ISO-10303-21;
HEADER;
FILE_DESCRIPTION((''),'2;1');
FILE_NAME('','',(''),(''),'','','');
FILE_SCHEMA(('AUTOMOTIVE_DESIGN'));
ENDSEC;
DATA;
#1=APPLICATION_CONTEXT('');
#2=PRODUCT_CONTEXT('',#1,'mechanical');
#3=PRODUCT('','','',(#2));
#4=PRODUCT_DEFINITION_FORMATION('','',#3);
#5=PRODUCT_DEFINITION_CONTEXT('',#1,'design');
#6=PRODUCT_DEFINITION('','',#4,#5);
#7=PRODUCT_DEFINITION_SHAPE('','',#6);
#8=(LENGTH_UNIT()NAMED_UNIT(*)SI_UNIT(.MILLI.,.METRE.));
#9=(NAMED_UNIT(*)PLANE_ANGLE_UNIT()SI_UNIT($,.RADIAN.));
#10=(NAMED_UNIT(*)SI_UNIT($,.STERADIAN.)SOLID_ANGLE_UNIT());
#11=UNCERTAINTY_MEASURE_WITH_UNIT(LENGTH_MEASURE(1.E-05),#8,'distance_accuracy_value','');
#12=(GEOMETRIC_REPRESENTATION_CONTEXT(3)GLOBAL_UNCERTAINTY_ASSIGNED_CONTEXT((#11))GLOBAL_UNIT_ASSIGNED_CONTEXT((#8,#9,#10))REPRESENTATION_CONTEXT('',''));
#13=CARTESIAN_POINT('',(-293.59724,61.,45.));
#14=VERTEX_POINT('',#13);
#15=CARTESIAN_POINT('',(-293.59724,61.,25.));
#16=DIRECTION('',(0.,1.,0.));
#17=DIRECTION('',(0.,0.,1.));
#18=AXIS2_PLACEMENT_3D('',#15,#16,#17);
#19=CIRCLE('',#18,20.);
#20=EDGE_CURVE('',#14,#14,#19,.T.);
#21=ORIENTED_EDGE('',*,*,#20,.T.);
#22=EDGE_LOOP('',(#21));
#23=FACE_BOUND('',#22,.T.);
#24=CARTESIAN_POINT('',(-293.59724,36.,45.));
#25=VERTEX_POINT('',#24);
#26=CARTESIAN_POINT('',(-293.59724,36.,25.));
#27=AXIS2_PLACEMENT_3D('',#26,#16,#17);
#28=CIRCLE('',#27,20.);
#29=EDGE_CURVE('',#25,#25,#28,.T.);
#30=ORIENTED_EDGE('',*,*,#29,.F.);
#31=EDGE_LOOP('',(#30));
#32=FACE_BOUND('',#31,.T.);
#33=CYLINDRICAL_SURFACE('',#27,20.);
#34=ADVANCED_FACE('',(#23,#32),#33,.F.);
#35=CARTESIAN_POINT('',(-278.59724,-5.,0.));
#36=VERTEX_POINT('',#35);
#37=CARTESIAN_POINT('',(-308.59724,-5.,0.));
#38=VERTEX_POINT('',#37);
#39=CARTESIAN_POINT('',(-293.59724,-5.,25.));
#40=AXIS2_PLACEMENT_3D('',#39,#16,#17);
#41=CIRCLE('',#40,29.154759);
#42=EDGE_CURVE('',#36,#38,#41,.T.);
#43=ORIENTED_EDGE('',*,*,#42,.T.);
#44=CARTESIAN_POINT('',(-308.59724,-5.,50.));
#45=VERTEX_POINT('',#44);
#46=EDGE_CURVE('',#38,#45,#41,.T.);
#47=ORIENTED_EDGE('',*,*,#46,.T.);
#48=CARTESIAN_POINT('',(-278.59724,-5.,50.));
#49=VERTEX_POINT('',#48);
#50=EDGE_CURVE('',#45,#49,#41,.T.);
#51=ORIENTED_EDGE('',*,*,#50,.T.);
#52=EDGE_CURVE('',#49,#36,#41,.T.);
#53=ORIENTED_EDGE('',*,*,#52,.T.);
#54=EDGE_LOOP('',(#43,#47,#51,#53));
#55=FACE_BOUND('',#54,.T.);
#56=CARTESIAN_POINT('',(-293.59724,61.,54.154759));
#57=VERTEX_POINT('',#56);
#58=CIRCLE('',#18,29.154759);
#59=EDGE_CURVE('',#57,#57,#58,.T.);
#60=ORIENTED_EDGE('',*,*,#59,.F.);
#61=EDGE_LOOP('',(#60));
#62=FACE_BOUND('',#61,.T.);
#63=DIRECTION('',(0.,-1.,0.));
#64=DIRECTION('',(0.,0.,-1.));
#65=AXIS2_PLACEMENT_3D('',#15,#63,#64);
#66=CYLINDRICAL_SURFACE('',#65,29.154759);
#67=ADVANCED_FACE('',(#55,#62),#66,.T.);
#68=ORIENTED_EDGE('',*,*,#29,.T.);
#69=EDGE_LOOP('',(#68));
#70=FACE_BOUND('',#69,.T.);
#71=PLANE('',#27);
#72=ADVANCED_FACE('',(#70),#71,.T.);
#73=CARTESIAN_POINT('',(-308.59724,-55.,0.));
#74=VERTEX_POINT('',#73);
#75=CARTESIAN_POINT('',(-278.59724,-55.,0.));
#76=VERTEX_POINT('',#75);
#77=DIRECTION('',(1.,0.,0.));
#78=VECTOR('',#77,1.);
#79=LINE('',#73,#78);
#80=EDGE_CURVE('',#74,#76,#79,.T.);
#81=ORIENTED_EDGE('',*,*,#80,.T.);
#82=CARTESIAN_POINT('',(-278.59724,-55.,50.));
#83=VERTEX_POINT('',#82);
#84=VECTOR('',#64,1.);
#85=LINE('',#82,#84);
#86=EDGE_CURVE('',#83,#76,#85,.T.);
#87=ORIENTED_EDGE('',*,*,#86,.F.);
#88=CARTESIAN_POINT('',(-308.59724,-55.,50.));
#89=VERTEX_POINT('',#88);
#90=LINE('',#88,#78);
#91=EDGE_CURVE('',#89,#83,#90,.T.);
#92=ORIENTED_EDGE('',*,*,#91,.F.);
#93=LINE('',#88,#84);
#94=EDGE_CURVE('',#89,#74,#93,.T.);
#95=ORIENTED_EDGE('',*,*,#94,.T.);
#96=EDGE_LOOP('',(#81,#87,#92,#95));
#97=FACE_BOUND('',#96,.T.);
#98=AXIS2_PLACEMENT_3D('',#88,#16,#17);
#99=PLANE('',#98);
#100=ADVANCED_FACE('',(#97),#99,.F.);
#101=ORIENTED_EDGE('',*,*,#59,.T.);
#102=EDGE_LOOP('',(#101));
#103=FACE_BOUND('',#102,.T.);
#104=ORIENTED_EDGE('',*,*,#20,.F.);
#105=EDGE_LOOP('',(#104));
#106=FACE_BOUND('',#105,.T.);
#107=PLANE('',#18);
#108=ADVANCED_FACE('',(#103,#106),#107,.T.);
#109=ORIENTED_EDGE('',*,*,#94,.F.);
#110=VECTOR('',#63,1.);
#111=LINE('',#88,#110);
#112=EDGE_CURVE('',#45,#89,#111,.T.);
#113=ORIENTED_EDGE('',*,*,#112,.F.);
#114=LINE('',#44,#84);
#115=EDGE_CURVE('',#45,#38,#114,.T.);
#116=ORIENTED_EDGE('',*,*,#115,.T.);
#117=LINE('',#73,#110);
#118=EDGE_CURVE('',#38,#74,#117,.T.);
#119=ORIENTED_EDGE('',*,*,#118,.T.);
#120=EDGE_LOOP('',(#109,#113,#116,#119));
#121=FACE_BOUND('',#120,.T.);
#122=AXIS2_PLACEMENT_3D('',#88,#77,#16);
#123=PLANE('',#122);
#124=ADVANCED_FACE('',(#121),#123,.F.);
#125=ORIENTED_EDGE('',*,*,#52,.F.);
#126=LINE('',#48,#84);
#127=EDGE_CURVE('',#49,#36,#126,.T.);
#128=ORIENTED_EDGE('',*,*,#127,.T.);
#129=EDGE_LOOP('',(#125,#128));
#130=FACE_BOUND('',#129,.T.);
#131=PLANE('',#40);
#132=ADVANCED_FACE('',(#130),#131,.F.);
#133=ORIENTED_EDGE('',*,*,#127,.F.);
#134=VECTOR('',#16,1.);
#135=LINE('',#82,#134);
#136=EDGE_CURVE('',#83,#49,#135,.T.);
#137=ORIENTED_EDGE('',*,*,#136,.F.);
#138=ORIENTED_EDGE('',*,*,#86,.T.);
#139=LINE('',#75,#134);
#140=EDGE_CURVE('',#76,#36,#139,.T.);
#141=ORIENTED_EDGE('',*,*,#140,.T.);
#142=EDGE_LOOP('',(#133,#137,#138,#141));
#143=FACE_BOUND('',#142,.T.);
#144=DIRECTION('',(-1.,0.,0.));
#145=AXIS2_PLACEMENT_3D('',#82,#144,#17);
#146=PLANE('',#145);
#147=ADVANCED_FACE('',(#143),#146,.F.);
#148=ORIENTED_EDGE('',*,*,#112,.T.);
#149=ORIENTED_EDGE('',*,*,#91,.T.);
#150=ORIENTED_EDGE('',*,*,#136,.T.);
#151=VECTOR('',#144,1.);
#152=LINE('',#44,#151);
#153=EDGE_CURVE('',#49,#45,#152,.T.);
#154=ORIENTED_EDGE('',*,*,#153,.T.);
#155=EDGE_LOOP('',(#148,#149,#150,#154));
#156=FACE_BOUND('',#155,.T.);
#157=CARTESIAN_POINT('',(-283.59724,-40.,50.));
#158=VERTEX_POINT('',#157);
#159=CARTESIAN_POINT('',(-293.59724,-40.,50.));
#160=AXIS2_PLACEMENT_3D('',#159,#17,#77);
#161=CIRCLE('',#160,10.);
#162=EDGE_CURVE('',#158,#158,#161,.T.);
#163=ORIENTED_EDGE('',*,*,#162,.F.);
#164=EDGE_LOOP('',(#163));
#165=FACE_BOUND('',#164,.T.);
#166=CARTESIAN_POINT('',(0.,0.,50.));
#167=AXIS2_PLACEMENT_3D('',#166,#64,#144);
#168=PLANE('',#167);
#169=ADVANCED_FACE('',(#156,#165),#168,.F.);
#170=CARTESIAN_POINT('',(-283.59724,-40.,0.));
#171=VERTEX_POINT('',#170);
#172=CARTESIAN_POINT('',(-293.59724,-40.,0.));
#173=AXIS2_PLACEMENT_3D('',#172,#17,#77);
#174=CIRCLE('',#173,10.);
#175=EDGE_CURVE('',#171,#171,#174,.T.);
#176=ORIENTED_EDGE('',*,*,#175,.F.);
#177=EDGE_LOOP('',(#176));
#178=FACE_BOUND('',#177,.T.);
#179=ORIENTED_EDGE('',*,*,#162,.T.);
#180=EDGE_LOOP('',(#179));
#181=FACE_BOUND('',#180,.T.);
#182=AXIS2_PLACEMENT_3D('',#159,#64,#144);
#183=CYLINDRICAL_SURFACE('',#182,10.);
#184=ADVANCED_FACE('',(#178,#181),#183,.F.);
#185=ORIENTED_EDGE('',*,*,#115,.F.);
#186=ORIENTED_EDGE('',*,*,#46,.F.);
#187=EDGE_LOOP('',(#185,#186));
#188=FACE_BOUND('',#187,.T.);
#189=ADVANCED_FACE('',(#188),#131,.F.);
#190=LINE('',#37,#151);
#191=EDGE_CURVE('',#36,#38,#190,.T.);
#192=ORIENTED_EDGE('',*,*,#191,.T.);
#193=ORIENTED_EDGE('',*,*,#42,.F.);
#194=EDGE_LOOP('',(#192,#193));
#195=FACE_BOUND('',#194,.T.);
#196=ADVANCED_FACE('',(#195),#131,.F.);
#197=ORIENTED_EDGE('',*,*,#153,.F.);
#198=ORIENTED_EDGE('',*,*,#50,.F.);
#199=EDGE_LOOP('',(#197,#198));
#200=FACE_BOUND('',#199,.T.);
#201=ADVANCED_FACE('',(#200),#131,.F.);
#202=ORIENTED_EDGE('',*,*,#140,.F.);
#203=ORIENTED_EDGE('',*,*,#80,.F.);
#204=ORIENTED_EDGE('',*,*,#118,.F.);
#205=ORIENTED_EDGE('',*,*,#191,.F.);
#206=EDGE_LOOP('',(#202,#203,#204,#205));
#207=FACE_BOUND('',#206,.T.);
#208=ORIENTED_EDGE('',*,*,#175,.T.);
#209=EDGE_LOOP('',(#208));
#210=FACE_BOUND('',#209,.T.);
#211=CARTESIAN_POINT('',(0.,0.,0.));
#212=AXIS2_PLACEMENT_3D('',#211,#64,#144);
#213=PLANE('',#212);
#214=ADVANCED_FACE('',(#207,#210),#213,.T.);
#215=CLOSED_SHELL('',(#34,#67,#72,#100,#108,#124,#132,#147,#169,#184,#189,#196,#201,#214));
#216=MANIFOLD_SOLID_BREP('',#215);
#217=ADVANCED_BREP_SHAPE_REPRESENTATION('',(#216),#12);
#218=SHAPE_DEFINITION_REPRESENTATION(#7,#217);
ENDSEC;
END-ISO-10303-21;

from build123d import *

# Parameters (mm, degrees)
ESQUISSE1_W             = 30
ESQUISSE1_H             = 50
ESQUISSE1_R             = 10
BOSS_EXTRU_1_DEPTH      = 50
ESQUISSE3_R             = 29.154759474
BOSS_EXTRU_2_DEPTH      = 66
ESQUISSE4_R             = 20
ENL_V_MAT_EXTRU_1_DEPTH = 25


with BuildPart() as part:
    # Esquisse1 → Boss.-Extru.1 (new body)
    with BuildSketch(Plane.XY):
        with Locations((-293.597239891, -30)):
            Rectangle(ESQUISSE1_W, ESQUISSE1_H)
        with Locations((-293.597239891, -40)):
            Circle(ESQUISSE1_R, mode=Mode.SUBTRACT)
    extrude(amount=BOSS_EXTRU_1_DEPTH)

    # Esquisse3 → Boss.-Extru.2 (add)
    with BuildSketch(Plane(origin=(0, -5, 0), x_dir=(1, 0, 0), z_dir=(0, 1, 0))):
        with Locations(Location((-293.597239891, -25, 0), (0, 0, 59.036243468))):
            Circle(ESQUISSE3_R)
    extrude(amount=BOSS_EXTRU_2_DEPTH)

    # Esquisse4 → Enlèv. mat.-Extru.1 (cut)
    with BuildSketch(Plane(origin=(0, 61, 0), x_dir=(1, 0, 0), z_dir=(0, 1, 0))):
        with Locations(Location((-293.597239891, -25, 0), (0, 0, 270))):
            Circle(ESQUISSE4_R)
    extrude(amount=-ENL_V_MAT_EXTRU_1_DEPTH, mode=Mode.SUBTRACT)


solid = part.part
